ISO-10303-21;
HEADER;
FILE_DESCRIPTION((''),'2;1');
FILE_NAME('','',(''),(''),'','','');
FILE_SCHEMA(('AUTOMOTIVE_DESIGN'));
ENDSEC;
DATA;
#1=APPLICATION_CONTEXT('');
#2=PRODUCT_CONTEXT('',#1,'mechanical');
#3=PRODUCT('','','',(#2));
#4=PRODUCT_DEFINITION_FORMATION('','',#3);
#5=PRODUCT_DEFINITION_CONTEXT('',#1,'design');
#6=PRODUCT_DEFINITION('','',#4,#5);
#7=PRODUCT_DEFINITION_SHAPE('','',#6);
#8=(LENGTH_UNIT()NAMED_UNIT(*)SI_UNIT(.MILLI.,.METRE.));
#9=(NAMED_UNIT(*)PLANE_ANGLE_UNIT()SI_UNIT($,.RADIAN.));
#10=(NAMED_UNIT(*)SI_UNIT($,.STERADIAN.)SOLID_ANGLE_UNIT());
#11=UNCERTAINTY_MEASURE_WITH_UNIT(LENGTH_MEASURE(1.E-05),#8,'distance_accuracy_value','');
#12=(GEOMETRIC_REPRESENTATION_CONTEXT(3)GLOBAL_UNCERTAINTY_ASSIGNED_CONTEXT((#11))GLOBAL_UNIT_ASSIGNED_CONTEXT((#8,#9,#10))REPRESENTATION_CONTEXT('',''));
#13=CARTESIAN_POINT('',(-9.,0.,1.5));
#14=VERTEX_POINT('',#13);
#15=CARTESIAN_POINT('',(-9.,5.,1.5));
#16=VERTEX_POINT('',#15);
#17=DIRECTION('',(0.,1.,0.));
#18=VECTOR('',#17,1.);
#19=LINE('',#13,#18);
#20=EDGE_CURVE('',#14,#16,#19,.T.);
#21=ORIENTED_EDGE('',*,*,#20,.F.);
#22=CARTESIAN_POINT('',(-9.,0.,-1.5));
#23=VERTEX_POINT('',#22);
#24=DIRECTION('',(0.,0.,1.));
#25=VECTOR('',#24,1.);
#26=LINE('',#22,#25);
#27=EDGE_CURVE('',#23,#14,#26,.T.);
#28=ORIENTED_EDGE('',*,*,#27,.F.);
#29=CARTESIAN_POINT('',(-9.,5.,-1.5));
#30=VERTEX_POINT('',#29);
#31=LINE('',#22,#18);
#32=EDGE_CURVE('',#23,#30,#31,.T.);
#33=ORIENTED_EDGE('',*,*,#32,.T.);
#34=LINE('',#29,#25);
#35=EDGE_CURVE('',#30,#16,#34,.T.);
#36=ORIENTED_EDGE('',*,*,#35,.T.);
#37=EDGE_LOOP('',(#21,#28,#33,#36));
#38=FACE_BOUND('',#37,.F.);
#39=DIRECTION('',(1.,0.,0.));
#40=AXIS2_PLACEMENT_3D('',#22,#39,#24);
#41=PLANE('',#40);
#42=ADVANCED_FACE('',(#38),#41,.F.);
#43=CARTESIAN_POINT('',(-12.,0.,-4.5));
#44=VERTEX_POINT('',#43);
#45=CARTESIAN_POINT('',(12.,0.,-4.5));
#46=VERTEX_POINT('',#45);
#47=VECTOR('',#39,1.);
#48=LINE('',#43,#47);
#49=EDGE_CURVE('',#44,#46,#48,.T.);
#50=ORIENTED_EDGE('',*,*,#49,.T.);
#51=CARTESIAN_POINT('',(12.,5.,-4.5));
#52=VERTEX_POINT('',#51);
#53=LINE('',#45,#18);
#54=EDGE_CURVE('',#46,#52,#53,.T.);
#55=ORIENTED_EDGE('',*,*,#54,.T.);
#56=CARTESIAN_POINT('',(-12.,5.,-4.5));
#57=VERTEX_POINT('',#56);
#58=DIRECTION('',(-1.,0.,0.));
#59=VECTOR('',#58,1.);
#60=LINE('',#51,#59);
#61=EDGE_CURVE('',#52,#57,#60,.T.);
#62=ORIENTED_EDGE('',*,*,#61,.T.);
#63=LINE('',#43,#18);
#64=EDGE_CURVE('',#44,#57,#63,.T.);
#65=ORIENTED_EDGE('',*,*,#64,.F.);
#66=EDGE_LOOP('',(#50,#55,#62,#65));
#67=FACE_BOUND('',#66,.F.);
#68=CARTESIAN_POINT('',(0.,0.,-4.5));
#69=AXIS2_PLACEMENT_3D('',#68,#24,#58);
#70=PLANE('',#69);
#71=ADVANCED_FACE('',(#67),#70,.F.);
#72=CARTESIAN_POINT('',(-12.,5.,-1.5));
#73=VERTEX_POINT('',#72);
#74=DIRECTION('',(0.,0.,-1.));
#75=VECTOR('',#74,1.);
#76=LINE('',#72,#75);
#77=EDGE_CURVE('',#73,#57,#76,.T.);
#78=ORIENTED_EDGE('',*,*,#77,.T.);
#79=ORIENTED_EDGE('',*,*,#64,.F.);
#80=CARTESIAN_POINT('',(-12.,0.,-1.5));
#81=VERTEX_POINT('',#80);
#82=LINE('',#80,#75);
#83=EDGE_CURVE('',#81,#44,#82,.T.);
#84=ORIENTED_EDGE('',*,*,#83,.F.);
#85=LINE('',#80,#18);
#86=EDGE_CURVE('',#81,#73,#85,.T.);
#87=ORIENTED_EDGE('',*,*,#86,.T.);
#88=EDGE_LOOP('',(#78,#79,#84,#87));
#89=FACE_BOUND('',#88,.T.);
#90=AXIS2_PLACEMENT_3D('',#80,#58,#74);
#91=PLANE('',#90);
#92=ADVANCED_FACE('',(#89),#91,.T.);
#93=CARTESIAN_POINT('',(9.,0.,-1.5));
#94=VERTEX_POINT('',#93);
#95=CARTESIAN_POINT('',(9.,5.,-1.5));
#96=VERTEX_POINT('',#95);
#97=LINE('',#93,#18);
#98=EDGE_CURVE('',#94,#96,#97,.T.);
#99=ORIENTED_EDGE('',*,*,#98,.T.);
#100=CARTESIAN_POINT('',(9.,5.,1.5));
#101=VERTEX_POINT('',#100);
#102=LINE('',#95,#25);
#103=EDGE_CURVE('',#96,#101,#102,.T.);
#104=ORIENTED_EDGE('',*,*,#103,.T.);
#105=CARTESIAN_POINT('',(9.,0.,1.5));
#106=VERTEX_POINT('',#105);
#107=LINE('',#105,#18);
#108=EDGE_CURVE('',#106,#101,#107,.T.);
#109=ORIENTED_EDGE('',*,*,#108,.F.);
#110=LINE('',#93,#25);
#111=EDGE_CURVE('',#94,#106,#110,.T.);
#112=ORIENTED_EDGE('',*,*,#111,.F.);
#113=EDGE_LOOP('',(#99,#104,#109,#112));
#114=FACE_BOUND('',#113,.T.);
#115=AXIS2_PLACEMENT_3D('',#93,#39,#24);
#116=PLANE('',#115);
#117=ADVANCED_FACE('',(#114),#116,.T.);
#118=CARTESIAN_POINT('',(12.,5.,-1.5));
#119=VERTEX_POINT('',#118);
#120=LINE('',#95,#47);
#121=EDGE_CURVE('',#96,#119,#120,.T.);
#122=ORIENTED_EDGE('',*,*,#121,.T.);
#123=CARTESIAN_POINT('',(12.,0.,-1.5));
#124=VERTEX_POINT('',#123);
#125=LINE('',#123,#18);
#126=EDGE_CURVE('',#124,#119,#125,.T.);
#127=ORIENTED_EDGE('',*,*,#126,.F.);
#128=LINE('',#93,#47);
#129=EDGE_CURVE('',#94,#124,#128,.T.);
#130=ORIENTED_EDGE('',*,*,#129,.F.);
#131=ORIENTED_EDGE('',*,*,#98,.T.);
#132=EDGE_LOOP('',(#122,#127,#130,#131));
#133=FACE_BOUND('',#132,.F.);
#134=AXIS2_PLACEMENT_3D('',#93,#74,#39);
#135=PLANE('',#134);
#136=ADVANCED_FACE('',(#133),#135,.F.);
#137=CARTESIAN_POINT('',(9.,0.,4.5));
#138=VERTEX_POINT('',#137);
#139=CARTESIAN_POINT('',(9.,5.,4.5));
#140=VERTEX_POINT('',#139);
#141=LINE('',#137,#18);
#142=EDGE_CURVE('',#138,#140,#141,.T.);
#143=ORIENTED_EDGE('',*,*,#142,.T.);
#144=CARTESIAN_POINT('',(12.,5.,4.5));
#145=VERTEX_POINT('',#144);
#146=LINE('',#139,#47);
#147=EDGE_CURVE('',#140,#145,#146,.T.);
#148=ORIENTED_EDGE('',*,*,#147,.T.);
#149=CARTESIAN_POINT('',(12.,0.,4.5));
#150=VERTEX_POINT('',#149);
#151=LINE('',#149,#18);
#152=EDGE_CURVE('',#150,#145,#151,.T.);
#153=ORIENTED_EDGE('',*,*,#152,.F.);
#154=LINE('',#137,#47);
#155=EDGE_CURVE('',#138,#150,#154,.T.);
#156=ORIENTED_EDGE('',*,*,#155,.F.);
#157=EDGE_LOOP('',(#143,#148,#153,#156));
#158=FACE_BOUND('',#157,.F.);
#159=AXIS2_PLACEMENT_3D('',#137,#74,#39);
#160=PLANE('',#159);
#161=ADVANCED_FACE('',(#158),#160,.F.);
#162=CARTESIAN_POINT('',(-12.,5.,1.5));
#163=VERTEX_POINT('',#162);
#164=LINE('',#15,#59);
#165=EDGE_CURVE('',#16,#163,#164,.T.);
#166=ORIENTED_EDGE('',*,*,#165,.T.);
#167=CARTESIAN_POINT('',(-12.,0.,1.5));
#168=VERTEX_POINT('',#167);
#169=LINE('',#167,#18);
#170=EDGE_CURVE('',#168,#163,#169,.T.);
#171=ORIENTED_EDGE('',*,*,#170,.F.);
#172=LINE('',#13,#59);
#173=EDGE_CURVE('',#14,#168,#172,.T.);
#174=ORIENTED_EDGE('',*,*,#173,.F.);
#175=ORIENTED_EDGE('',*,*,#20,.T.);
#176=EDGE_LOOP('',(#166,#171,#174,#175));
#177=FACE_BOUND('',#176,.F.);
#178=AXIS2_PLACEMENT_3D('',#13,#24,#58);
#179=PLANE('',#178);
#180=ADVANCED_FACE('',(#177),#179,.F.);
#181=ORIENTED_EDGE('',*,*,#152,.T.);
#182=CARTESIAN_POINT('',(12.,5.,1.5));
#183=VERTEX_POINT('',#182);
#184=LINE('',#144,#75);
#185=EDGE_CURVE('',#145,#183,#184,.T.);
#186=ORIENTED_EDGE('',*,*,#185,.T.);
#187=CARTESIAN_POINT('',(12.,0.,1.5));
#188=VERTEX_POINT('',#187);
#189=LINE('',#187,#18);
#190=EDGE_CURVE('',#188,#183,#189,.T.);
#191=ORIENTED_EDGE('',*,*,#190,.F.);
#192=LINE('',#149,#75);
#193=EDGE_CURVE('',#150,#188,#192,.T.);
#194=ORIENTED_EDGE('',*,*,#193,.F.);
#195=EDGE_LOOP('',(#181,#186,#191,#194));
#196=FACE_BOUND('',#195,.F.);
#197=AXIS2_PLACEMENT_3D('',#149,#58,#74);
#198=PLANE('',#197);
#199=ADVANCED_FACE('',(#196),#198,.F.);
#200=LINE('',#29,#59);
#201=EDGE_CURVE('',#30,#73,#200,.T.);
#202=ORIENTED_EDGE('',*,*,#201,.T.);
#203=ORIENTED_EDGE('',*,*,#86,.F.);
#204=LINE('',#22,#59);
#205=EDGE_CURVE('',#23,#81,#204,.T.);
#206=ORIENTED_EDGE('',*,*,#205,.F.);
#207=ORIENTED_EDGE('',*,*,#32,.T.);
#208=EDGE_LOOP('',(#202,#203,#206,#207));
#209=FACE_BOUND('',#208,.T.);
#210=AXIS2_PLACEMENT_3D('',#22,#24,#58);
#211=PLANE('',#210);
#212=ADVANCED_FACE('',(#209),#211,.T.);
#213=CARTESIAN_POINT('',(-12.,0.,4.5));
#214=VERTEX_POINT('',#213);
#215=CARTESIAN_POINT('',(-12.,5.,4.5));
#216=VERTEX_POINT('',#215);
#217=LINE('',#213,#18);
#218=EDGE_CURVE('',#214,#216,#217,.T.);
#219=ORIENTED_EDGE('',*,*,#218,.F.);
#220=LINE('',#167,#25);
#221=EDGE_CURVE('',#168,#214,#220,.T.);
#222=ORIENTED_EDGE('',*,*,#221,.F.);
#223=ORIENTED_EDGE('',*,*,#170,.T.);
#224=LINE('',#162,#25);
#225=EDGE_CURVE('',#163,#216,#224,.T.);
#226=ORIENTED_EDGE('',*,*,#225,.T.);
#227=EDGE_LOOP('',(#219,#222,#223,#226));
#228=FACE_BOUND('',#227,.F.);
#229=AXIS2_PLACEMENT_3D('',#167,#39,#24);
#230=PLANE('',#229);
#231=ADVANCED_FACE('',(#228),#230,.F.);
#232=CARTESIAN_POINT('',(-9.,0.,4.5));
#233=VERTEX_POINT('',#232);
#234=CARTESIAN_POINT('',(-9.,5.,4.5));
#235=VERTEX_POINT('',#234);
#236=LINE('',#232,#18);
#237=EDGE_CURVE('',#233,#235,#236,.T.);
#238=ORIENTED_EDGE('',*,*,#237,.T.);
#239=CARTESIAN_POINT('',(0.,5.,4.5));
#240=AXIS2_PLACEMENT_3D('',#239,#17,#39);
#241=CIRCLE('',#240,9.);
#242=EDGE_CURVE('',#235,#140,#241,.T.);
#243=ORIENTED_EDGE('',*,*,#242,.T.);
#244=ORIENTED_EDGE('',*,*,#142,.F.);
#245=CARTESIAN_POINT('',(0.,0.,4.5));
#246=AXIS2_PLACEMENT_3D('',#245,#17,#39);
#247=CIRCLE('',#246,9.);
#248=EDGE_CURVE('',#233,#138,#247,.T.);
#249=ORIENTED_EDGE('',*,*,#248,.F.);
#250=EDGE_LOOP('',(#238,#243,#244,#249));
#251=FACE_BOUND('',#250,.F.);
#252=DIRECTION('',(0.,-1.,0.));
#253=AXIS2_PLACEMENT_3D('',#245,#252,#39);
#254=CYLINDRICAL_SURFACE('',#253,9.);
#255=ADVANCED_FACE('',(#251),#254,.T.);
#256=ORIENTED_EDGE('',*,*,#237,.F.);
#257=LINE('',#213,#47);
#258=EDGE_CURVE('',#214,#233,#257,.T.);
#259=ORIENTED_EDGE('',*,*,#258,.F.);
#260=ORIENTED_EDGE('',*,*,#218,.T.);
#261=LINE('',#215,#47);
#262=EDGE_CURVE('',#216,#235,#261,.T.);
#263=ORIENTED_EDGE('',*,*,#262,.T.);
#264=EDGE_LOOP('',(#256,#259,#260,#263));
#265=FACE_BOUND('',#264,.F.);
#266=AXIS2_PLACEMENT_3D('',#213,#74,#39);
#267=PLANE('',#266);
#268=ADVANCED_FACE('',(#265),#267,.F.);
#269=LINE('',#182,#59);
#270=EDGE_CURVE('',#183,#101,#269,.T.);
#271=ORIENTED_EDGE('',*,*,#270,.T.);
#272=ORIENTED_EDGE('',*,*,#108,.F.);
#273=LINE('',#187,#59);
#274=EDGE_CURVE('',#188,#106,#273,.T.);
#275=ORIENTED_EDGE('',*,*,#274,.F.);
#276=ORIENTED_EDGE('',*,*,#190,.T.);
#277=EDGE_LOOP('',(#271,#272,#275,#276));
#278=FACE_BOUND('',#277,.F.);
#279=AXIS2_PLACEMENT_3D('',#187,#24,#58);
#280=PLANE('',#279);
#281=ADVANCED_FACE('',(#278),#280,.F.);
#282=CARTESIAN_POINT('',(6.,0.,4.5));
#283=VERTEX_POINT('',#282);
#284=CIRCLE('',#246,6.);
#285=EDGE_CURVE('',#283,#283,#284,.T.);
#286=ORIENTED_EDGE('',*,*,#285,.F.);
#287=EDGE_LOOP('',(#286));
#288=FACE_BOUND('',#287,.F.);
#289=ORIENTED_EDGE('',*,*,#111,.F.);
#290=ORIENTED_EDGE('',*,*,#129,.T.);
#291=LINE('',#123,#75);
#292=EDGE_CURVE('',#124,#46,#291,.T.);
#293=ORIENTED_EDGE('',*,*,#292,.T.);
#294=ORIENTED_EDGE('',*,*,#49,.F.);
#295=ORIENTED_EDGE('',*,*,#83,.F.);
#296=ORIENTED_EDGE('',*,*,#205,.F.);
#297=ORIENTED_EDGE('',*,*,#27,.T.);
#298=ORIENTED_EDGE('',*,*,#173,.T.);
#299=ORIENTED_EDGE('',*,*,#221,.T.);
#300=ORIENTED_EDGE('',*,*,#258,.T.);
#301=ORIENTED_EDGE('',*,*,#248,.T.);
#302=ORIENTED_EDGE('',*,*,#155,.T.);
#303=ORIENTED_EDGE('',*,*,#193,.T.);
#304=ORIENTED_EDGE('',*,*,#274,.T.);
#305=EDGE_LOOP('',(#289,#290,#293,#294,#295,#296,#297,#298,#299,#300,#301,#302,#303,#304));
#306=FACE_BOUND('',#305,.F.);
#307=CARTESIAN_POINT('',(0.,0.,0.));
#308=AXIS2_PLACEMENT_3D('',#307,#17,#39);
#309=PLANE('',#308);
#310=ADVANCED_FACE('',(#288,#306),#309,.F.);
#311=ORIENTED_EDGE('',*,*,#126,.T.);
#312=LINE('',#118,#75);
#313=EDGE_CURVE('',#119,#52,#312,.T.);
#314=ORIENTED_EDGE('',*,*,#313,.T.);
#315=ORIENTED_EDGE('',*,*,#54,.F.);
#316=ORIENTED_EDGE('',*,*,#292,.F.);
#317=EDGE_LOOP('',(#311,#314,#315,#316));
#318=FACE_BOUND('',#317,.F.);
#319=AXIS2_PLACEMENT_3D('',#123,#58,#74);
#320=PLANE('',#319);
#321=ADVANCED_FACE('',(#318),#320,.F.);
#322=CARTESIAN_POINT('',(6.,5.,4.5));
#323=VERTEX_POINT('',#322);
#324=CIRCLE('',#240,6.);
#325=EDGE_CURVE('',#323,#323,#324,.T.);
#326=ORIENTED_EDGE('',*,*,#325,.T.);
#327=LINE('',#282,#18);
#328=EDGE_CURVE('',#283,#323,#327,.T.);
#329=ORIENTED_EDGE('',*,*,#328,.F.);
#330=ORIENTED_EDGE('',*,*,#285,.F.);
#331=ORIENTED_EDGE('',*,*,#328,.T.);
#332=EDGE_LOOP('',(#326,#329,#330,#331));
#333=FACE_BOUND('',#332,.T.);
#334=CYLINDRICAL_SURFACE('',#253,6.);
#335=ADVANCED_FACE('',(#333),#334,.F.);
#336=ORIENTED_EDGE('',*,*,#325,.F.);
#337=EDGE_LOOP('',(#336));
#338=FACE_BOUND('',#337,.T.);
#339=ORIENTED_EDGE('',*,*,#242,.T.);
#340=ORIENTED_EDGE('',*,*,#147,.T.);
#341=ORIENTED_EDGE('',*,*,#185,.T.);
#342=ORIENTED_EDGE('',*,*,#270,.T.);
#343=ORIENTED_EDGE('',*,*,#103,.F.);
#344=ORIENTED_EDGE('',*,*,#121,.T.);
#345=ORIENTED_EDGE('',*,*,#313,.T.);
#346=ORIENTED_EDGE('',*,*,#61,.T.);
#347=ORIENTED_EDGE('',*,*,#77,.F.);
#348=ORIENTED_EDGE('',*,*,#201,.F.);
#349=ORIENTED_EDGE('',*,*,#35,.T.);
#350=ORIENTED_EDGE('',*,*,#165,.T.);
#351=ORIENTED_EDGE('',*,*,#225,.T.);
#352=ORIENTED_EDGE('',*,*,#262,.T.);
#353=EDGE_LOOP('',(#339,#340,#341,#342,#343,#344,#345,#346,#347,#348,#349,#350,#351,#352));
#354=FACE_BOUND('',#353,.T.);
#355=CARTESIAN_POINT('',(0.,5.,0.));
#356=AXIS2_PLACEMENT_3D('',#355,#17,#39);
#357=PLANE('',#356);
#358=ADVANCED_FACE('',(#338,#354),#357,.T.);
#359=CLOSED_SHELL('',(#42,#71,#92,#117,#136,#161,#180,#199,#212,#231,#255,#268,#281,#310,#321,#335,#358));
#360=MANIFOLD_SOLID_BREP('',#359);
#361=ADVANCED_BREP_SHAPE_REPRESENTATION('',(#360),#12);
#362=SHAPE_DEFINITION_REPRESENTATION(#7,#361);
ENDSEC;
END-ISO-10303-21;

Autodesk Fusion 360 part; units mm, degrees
sketch "Sketch1" plane through (0, 0, 0) normal (0, 1, 0) x (1, 0, 0)
  line L0 (9, 1.5) -> (-9, 1.5) construction
  line L1 (-9, 1.5) -> (-9, -1.5) construction
  line L2 (9, -1.5) -> (9, 1.5) construction
  line L3 (9, 1.5) -> (-9, -1.5) construction
  line L4 (-9, 1.5) -> (9, -1.5) construction
  circle A0 centre (0, -4.5) radius 6
  circle A1 centre (0, -4.5) radius 9
  line L5 (0, 1.5) -> (0, 4.5) construction
  line L6 (0, 0) -> (0, -4.5) construction
  line L7 (-9, 1.5) -> (-9, -1.5)
  line L8 (-9, 1.5) -> (-6.7082, 1.5)
  line L9 (-9, -1.5) -> (-9, -4.5)
  line L10 (6.7082, 1.5) -> (9, 1.5)
  line L11 (9, 1.5) -> (9, -4.5)
  line L12 (-9, -1.5) -> (-12, -1.5)
  line L13 (-12, -1.5) -> (-12, -4.5)
  line L14 (-12, -4.5) -> (-9, -4.5)
  line L15 (-9, 1.5) -> (-12, 1.5)
  line L16 (-12, 1.5) -> (-12, 4.5)
  line L17 (9, 1.5) -> (12, 1.5)
  line L18 (12, 1.5) -> (12, 4.5)
  line L19 (12, 4.5) -> (-12, 4.5)
  line L20 (9, -4.5) -> (12, -4.5)
  line L21 (12, -4.5) -> (12, -1.5)
  line L22 (12, -1.5) -> (9, -1.5)
  dimension "d1" = 18
  dimension "d2" = 3
  dimension "d3" = 12
  dimension "d4" = 18
  dimension "d5" = 3
  dimension "d6" = 3
  dimension "d7" = 3
  dimension "d8" = 3
  dimension "d9" = 3
  dimension "d10" = 3
  dimension "d11" = 3
  dimension "d12" = 3
  dimension "d13" = 3
extrude "Extrude1" add sketch "Sketch1" along normal blind 5
